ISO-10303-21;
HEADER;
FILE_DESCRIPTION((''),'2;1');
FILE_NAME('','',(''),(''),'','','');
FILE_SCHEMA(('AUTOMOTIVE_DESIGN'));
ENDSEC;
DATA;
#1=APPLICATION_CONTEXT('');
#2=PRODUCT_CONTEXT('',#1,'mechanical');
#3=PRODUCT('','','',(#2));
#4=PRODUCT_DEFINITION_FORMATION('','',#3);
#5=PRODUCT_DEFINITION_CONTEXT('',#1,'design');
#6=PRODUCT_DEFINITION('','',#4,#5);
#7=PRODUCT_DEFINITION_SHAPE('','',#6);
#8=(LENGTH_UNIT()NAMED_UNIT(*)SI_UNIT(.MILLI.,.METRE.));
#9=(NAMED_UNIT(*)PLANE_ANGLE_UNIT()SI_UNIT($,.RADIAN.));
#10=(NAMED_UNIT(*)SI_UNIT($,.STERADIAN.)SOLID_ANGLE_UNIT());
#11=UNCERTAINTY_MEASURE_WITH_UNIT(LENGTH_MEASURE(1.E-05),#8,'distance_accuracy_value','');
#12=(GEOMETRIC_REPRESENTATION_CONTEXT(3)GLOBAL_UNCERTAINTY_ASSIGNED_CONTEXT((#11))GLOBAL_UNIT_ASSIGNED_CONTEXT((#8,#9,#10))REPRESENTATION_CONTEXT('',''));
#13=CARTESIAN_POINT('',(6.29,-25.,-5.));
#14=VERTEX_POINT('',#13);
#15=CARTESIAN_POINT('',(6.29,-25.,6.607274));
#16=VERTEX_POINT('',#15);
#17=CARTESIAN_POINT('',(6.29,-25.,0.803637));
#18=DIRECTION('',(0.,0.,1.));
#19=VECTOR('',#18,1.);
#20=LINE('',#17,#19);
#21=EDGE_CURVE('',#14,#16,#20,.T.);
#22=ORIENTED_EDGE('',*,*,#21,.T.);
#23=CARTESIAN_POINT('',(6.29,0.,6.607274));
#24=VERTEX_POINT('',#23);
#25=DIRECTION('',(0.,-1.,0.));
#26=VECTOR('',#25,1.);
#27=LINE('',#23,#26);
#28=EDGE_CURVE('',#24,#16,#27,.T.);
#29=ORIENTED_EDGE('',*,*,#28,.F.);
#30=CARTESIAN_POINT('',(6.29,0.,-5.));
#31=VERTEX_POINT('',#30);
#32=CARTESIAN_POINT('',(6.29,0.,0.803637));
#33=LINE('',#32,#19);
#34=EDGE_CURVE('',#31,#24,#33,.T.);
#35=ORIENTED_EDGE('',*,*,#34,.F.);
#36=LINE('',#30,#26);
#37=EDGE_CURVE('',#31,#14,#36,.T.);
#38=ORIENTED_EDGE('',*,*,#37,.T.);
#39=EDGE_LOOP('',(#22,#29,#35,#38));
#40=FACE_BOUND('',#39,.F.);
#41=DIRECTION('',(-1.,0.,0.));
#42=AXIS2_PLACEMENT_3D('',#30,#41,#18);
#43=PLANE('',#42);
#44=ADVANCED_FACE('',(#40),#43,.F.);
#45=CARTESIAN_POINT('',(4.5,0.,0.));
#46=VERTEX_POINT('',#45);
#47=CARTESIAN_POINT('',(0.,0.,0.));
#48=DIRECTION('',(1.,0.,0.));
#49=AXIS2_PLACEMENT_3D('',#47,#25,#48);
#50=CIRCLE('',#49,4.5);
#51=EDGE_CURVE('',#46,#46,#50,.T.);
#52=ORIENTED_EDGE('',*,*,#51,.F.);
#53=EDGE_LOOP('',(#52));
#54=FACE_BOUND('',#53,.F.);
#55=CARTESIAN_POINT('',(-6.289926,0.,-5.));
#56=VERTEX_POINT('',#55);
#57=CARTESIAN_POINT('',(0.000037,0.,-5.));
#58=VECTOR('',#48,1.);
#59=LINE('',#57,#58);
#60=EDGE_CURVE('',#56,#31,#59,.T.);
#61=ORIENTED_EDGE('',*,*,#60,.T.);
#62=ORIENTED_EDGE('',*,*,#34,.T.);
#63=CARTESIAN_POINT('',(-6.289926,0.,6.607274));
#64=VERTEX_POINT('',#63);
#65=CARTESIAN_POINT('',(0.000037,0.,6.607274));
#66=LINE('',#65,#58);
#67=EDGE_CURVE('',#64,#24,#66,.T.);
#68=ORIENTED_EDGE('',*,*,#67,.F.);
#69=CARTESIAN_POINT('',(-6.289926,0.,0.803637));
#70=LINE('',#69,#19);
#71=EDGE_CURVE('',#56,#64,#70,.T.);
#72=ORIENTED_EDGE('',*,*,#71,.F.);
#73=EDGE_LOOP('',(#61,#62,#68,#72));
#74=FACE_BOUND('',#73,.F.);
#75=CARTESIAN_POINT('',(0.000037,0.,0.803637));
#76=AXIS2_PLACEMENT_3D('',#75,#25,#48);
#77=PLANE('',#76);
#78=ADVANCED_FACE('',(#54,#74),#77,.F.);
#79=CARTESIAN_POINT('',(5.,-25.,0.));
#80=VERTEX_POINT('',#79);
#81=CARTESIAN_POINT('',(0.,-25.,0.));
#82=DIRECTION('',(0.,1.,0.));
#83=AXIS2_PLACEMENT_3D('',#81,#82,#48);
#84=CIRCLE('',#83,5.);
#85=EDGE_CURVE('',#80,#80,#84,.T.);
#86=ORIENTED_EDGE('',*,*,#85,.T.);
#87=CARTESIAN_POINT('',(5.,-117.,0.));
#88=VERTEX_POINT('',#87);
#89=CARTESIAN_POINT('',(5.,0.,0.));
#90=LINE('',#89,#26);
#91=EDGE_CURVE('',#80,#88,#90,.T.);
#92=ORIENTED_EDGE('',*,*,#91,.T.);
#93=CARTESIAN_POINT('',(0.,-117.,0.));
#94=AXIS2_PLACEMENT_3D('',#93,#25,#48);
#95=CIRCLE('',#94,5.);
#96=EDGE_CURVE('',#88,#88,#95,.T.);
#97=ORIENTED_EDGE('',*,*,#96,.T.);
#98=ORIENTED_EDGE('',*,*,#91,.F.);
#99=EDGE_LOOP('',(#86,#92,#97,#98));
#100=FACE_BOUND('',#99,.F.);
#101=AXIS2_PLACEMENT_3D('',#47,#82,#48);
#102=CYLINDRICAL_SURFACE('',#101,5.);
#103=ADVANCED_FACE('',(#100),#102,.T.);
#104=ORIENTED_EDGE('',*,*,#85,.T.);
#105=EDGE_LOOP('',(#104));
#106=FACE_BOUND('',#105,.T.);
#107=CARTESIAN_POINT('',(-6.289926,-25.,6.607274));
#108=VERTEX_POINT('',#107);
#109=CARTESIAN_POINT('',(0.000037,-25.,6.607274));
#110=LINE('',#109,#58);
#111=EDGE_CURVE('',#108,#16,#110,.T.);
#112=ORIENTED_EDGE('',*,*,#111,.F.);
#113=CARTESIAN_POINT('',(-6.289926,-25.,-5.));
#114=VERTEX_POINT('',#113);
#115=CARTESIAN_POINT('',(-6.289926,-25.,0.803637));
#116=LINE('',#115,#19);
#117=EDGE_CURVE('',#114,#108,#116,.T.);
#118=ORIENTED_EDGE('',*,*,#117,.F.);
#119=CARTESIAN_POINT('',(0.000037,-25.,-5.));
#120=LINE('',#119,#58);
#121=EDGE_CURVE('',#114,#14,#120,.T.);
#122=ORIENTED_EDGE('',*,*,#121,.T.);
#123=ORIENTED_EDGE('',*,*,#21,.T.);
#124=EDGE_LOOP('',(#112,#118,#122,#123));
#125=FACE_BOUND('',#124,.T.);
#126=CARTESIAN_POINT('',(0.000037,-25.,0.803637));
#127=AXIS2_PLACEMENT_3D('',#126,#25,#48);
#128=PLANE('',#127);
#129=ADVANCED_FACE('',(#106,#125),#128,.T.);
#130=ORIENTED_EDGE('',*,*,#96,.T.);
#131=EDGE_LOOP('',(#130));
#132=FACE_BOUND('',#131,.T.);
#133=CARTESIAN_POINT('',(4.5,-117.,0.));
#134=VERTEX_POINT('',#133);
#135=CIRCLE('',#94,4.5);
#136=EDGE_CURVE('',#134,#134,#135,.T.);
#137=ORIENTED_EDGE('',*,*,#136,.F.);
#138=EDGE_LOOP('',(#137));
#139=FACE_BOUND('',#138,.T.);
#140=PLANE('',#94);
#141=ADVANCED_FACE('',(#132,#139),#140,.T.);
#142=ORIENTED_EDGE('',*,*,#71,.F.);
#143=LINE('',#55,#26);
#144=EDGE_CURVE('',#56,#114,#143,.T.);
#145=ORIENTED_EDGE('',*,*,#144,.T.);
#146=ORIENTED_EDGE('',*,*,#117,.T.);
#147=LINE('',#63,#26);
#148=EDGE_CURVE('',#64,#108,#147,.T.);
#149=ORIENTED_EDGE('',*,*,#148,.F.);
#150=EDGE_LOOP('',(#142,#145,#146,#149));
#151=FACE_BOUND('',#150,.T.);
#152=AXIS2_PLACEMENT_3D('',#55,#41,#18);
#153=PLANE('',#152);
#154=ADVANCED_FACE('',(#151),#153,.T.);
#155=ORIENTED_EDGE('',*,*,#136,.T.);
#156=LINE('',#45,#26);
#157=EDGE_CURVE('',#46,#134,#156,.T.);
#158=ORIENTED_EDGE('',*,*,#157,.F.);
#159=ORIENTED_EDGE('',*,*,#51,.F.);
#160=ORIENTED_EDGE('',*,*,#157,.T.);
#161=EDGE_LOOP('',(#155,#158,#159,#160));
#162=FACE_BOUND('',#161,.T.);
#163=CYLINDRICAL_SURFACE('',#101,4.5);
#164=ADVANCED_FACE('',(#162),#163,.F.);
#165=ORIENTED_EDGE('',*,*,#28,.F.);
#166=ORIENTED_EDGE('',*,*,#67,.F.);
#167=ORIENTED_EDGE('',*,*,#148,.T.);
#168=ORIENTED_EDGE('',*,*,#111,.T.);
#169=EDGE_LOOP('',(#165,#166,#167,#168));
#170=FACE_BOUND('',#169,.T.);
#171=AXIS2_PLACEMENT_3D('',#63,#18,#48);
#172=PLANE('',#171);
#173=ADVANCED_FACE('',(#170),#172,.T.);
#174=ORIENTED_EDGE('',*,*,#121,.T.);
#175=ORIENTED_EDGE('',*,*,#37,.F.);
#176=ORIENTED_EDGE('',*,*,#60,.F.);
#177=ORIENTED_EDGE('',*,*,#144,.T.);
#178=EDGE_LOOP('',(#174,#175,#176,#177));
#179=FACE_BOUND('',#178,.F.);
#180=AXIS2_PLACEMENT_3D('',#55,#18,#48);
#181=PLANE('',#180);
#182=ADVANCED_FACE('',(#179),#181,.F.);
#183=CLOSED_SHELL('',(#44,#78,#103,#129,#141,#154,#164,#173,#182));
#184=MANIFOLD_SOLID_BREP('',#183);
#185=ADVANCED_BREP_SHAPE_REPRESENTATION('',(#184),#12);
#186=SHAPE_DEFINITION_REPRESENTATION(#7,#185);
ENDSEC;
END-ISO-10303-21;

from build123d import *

# Parameters (mm, degrees)
F0_R     = 5
F0_R_2   = 4.5
F1_DEPTH = 117
F2_W     = 12.579926
F2_H     = 11.607275
F2_R     = 4.5
F3_DEPTH = 25


with BuildPart() as f1:
    # F0 (on Front) → F1 (new body)
    with BuildSketch(Plane.XZ):
        Circle(F0_R)
        Circle(F0_R_2, mode=Mode.SUBTRACT)
    extrude(amount=F1_DEPTH)

    # F2 (on Front) → F3 (join)
    with BuildSketch(Plane.XZ):
        with Locations((3.7e-05, 0.803637)):
            Rectangle(F2_W, F2_H)
        Circle(F2_R, mode=Mode.SUBTRACT)
    extrude(amount=F3_DEPTH)


solid = f1.part
